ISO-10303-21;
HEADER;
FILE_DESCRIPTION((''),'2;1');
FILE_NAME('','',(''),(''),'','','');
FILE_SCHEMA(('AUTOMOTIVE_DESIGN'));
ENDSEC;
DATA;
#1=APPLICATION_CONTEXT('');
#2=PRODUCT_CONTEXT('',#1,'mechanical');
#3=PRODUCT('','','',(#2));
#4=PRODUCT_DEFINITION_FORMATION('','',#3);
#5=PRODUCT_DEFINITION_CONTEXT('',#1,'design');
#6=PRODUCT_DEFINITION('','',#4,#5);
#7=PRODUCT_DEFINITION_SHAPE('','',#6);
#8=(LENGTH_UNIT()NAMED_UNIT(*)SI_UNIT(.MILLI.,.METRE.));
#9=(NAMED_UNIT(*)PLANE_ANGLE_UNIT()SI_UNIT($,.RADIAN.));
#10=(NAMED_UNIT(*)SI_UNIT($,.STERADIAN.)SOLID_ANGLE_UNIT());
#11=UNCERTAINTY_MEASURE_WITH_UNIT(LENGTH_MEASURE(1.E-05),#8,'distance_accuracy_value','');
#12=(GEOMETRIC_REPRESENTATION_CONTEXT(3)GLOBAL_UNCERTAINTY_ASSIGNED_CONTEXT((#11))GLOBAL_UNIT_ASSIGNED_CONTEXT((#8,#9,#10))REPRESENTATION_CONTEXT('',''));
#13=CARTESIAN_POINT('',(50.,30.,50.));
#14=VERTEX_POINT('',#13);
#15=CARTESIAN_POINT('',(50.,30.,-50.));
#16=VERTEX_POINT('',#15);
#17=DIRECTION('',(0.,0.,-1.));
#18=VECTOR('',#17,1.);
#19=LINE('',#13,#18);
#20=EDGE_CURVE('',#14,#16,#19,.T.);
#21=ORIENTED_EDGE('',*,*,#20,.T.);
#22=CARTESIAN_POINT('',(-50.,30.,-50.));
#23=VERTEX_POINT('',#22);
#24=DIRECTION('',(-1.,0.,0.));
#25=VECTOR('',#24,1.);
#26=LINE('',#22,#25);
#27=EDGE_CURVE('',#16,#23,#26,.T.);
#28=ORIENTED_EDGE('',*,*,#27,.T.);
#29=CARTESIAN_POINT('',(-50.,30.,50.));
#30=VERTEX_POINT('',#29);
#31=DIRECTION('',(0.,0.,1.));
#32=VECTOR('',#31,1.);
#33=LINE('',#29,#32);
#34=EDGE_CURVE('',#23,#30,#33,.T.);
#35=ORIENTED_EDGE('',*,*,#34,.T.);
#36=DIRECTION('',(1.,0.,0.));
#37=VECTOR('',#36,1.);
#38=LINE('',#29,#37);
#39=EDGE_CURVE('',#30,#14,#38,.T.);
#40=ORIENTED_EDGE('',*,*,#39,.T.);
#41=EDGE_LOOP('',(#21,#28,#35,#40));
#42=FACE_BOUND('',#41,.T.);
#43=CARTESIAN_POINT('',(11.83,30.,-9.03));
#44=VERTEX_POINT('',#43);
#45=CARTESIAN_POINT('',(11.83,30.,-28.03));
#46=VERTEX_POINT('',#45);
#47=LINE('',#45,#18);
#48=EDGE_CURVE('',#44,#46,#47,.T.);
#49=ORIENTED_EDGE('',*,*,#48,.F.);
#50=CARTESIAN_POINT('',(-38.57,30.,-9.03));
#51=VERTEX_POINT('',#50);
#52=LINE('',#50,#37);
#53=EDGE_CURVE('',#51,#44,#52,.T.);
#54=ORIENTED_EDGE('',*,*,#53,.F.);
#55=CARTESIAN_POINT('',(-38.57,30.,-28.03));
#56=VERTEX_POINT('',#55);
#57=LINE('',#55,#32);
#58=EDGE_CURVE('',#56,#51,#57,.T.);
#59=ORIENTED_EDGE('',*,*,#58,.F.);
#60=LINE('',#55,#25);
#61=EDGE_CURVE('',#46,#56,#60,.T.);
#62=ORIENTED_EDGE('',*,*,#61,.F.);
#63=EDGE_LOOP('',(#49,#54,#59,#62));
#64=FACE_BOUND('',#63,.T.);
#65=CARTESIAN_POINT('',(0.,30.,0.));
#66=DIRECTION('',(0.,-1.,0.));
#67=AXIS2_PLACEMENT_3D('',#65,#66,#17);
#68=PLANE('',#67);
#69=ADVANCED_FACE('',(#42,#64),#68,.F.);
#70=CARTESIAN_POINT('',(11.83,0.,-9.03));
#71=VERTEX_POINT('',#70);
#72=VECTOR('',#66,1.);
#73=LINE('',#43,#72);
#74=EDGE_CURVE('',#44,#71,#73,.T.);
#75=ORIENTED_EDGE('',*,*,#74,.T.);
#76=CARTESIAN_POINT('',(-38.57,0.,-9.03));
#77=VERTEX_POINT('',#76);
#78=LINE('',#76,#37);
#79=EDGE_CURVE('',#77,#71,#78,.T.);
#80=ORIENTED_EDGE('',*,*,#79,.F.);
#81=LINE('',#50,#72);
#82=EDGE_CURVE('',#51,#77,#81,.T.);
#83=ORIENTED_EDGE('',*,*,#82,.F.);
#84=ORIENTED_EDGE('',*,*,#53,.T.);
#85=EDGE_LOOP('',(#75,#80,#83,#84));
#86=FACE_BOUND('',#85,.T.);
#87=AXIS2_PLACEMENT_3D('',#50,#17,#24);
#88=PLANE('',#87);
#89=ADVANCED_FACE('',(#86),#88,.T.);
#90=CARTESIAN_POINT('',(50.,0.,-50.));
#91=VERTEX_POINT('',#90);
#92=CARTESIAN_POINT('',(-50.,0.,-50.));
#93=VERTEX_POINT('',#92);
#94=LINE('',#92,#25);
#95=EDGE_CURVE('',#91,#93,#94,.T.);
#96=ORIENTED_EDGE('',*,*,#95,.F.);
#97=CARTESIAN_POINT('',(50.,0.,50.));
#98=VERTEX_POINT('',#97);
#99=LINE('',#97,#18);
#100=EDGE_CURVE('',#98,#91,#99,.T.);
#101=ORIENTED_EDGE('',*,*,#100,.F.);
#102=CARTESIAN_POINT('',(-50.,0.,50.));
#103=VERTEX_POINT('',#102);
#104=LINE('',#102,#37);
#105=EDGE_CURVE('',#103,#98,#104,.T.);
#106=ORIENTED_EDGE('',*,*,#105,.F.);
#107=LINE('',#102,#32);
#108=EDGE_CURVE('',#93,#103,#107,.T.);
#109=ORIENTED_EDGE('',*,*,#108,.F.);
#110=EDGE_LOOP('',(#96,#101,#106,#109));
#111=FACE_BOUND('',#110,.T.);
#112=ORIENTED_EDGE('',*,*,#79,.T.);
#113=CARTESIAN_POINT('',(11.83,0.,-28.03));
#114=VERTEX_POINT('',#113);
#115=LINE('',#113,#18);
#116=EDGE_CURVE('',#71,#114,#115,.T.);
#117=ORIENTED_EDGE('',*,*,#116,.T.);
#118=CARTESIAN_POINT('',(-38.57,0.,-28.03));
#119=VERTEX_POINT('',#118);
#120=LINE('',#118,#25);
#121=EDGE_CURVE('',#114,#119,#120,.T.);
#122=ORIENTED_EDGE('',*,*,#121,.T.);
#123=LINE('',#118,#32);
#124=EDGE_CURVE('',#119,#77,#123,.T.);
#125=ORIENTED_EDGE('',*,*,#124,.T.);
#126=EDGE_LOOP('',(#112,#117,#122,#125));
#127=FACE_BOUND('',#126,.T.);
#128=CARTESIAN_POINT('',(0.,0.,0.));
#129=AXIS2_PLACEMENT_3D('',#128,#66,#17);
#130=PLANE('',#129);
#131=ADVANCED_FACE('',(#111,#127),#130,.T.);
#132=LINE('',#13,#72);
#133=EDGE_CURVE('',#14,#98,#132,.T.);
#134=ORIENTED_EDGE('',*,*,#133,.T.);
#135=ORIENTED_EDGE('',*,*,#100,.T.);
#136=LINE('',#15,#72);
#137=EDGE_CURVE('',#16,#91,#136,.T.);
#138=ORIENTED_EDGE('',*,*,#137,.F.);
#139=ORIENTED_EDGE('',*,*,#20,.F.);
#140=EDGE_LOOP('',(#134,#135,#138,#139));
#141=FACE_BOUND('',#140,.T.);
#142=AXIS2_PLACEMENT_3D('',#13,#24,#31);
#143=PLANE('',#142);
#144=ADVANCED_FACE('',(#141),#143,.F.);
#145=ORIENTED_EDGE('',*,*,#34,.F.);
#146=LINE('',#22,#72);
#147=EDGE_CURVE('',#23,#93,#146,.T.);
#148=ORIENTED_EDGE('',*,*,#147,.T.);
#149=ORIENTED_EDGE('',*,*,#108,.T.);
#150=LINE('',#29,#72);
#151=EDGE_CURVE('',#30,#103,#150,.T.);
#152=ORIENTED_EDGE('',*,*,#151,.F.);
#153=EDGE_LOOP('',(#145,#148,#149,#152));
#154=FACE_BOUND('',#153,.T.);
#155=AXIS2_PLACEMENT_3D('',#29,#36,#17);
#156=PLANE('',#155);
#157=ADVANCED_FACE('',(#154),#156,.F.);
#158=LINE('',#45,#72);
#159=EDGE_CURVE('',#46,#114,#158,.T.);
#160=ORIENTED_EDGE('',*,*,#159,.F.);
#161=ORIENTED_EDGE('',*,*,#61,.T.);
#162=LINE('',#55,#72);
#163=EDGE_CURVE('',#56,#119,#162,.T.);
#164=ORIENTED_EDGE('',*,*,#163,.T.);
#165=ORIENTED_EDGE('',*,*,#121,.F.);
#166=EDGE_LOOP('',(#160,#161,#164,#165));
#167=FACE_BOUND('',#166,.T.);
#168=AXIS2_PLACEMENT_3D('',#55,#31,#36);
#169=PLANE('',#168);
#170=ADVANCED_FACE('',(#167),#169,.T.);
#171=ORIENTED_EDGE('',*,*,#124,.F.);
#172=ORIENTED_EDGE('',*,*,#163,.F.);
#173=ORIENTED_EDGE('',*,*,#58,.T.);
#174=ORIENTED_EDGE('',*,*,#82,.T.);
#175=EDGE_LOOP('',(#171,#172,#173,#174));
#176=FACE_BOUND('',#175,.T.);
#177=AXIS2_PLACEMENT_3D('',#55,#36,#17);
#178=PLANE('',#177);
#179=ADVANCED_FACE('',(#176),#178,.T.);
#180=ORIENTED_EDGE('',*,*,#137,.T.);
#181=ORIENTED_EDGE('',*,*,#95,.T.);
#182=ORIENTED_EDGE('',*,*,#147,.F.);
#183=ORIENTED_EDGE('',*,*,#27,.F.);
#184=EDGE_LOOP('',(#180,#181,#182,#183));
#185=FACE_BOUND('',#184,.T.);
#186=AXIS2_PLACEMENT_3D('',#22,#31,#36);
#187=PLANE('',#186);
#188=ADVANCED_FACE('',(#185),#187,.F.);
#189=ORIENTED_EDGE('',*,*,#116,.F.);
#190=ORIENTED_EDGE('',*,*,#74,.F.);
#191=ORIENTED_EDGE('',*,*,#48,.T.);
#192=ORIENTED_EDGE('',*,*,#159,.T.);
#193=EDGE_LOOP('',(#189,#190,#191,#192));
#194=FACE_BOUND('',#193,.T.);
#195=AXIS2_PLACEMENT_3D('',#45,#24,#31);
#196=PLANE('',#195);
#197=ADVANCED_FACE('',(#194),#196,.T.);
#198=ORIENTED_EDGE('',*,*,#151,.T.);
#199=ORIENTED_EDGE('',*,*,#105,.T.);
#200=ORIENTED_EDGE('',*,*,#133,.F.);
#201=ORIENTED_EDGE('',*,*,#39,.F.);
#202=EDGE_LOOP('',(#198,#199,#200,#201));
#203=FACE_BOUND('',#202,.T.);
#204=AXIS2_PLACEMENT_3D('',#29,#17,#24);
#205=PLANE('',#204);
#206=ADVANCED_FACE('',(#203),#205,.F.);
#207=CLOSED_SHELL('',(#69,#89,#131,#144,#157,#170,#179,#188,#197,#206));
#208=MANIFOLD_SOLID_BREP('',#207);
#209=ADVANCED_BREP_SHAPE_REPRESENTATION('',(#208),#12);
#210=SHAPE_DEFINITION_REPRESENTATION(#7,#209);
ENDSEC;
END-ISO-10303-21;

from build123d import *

# Parameters (mm, degrees)
SKETCH1_W           = 100
SKETCH1_H           = 100
SKETCH1_W_2         = 50.4
SKETCH1_H_2         = 19
BOSS_EXTRUDE1_DEPTH = 30


with BuildPart() as part:
    # Sketch1 → Boss-Extrude1 (new body)
    with BuildSketch(Plane(origin=(0, 0, 0), x_dir=(1, 0, 0), z_dir=(0, 1, 0))):
        Rectangle(SKETCH1_W, SKETCH1_H)
        with Locations((-13.37, 18.53)):
            Rectangle(SKETCH1_W_2, SKETCH1_H_2, mode=Mode.SUBTRACT)
    extrude(amount=BOSS_EXTRUDE1_DEPTH)


solid = part.part
